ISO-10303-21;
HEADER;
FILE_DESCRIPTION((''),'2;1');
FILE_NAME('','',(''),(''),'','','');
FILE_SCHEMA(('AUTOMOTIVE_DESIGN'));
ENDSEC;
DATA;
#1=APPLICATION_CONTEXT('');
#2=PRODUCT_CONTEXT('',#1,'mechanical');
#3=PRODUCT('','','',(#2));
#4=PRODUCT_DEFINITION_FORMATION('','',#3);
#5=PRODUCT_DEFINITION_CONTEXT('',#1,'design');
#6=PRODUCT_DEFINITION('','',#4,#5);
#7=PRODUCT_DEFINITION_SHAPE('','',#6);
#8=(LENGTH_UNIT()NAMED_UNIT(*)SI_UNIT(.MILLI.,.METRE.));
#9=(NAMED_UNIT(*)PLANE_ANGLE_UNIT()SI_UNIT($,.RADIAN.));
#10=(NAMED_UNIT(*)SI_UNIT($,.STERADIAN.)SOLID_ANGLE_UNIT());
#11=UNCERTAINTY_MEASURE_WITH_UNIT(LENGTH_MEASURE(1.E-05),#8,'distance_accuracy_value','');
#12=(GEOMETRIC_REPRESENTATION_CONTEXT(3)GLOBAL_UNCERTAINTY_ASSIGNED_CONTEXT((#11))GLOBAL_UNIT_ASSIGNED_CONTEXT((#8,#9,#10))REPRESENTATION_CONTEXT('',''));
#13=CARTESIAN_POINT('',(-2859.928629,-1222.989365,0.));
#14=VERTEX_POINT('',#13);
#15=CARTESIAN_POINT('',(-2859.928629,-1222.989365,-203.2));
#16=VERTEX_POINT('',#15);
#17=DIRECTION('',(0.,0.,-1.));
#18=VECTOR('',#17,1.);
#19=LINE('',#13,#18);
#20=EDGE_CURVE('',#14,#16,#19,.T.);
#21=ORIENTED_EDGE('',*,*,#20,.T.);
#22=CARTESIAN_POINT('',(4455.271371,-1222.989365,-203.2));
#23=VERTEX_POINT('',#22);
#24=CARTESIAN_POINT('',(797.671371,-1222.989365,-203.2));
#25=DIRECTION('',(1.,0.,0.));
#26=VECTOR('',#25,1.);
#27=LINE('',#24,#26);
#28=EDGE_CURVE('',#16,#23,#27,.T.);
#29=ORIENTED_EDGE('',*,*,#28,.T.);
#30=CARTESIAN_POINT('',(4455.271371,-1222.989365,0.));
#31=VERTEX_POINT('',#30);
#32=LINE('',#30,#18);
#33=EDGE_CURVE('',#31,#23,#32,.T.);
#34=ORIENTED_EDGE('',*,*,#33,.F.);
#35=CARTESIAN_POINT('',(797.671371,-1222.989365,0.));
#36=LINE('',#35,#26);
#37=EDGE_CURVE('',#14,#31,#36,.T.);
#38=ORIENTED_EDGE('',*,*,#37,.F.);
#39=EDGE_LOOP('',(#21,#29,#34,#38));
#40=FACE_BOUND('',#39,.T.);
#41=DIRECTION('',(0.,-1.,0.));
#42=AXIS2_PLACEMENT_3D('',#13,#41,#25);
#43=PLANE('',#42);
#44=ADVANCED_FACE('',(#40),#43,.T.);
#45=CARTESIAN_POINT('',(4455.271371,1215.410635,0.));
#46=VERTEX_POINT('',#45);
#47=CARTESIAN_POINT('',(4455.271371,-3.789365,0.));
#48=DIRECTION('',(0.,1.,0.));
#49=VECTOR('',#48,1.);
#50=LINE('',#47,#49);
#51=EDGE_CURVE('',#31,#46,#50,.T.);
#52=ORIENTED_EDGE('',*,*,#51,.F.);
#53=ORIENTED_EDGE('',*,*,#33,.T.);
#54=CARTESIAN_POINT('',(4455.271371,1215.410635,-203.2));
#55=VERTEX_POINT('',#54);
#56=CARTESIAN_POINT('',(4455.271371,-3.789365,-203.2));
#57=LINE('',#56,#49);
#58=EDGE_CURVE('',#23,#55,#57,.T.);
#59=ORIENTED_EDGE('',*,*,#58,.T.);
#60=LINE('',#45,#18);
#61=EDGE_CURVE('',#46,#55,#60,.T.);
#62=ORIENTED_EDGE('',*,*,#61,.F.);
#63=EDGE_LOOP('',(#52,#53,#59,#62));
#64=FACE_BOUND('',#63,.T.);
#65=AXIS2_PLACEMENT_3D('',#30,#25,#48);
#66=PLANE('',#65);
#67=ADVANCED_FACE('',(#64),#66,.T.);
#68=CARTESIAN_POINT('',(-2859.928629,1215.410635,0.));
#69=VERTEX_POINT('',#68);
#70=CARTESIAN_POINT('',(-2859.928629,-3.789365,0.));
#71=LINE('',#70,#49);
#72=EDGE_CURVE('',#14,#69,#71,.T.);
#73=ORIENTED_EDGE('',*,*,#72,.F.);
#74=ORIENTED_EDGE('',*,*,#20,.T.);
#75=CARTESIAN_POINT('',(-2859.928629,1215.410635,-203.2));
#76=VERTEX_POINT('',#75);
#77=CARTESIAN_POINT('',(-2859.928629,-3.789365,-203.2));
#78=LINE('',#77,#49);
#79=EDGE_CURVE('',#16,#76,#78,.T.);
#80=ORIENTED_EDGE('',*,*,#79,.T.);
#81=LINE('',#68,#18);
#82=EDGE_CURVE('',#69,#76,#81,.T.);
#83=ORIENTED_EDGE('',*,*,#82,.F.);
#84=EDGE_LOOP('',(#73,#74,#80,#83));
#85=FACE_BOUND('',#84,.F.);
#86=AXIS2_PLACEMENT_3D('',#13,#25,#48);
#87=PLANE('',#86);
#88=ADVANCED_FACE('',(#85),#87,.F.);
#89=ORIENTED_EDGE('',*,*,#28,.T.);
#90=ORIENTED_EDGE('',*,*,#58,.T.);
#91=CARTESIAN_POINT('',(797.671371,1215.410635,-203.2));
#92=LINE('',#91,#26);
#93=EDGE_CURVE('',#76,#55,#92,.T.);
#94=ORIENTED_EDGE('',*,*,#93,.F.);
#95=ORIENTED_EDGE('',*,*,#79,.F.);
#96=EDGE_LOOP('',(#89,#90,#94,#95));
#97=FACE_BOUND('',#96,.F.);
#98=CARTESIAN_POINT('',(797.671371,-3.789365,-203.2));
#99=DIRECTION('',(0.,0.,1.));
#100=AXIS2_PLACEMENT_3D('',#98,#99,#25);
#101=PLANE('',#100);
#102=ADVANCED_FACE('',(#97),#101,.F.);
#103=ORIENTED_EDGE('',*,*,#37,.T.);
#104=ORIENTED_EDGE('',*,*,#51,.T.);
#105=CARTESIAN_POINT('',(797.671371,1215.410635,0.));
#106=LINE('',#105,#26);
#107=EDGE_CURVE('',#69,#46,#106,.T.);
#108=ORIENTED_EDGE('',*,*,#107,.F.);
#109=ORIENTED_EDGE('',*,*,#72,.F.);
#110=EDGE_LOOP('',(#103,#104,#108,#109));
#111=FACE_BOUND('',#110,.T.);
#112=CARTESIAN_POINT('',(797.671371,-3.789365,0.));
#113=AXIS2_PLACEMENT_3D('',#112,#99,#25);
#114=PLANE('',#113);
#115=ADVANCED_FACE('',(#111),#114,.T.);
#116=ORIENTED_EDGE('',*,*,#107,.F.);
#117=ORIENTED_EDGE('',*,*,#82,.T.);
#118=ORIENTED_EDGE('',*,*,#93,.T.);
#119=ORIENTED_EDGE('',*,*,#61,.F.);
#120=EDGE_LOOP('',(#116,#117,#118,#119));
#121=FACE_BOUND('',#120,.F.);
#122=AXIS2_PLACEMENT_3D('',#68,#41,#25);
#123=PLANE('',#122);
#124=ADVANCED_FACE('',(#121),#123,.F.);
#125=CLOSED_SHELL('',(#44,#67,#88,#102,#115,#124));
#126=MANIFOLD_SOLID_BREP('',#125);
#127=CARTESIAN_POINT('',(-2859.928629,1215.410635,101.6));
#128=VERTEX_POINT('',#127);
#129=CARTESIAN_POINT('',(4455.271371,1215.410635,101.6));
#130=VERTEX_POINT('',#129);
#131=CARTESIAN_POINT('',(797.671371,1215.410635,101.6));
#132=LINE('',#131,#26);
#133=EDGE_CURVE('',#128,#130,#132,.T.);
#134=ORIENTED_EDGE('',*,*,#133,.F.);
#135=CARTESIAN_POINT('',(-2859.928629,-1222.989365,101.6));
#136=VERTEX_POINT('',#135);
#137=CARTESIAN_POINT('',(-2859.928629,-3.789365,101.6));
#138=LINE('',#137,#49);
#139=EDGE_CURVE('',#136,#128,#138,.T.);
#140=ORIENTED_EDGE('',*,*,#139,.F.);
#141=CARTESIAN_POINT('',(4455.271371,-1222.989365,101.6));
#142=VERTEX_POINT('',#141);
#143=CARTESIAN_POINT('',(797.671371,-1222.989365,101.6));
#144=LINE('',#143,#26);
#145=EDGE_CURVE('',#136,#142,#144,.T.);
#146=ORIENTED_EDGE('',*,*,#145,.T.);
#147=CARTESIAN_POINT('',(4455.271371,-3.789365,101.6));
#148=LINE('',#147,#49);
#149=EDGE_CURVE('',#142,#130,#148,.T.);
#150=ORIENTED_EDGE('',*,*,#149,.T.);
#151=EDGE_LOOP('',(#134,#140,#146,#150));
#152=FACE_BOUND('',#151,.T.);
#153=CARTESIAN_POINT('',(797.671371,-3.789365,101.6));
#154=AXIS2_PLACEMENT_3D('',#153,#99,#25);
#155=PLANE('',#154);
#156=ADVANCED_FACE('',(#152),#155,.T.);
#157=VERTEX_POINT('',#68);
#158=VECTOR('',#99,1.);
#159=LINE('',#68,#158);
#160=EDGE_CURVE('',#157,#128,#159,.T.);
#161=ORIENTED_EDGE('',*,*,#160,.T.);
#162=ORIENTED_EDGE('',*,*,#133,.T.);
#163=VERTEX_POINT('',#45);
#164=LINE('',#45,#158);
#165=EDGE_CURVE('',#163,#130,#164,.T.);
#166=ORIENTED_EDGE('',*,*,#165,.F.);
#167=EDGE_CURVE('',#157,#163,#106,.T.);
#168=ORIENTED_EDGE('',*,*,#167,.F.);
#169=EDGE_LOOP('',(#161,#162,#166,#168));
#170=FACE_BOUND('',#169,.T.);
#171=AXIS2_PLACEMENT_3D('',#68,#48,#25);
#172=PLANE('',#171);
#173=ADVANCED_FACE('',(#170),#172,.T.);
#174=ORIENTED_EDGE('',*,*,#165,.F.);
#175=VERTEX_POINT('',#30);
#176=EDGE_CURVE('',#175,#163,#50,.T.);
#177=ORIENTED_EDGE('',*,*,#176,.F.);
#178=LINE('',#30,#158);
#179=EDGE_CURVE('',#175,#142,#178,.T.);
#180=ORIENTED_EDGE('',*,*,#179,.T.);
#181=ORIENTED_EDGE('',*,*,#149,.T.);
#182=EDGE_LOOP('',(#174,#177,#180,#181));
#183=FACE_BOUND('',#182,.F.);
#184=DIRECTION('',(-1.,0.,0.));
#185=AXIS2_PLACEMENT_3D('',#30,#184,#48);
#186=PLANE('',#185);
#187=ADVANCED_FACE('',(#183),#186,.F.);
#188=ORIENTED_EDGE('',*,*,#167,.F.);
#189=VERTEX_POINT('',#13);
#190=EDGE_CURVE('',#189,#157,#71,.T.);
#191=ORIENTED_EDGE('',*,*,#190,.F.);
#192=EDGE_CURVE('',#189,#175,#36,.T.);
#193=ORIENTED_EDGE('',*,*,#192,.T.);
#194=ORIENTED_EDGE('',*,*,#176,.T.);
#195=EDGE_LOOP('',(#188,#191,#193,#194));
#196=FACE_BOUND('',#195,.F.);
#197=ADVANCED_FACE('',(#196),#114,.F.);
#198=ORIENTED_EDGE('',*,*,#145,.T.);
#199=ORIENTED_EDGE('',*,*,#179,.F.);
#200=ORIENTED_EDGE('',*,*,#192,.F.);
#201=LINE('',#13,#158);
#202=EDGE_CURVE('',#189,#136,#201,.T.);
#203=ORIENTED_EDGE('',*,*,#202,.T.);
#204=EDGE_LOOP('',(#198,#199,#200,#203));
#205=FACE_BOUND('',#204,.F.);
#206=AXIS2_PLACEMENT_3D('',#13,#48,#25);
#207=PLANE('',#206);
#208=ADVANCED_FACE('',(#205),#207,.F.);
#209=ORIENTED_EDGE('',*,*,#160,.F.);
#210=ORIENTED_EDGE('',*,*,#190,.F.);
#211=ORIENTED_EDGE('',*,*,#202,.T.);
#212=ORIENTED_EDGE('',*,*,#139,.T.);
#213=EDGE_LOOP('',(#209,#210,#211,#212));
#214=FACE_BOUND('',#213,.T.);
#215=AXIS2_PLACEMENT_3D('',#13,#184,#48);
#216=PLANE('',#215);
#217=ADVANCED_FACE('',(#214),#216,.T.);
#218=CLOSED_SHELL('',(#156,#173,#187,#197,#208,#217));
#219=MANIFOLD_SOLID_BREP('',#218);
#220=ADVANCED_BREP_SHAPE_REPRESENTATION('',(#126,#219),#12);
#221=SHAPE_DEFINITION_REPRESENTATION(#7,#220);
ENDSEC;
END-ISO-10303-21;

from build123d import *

# Parameters (mm, degrees)
F0_W      = 7315.2
F0_H      = 2438.4
F1_DEPTH  = 203.2
F1_FACE_W = 7315.2
F1_FACE_H = 2438.4
F2_DEPTH  = 101.6


with BuildPart() as f1:
    # F0 (on Top) → F1 (new body)
    with BuildSketch(Plane.XY):
        with Locations((797.671371, -3.789365)):
            Rectangle(F0_W, F0_H)
    extrude(amount=-F1_DEPTH)


with BuildPart() as f2:
    # F1_face (on face) → F2 (new body)
    with BuildSketch(Plane(origin=(797.671371, -3.789365, 0), x_dir=(1, 0, 0), z_dir=(0, 0, 1))):
        Rectangle(F1_FACE_W, F1_FACE_H)
    extrude(amount=F2_DEPTH)


solid = Compound([f1.part, f2.part])
